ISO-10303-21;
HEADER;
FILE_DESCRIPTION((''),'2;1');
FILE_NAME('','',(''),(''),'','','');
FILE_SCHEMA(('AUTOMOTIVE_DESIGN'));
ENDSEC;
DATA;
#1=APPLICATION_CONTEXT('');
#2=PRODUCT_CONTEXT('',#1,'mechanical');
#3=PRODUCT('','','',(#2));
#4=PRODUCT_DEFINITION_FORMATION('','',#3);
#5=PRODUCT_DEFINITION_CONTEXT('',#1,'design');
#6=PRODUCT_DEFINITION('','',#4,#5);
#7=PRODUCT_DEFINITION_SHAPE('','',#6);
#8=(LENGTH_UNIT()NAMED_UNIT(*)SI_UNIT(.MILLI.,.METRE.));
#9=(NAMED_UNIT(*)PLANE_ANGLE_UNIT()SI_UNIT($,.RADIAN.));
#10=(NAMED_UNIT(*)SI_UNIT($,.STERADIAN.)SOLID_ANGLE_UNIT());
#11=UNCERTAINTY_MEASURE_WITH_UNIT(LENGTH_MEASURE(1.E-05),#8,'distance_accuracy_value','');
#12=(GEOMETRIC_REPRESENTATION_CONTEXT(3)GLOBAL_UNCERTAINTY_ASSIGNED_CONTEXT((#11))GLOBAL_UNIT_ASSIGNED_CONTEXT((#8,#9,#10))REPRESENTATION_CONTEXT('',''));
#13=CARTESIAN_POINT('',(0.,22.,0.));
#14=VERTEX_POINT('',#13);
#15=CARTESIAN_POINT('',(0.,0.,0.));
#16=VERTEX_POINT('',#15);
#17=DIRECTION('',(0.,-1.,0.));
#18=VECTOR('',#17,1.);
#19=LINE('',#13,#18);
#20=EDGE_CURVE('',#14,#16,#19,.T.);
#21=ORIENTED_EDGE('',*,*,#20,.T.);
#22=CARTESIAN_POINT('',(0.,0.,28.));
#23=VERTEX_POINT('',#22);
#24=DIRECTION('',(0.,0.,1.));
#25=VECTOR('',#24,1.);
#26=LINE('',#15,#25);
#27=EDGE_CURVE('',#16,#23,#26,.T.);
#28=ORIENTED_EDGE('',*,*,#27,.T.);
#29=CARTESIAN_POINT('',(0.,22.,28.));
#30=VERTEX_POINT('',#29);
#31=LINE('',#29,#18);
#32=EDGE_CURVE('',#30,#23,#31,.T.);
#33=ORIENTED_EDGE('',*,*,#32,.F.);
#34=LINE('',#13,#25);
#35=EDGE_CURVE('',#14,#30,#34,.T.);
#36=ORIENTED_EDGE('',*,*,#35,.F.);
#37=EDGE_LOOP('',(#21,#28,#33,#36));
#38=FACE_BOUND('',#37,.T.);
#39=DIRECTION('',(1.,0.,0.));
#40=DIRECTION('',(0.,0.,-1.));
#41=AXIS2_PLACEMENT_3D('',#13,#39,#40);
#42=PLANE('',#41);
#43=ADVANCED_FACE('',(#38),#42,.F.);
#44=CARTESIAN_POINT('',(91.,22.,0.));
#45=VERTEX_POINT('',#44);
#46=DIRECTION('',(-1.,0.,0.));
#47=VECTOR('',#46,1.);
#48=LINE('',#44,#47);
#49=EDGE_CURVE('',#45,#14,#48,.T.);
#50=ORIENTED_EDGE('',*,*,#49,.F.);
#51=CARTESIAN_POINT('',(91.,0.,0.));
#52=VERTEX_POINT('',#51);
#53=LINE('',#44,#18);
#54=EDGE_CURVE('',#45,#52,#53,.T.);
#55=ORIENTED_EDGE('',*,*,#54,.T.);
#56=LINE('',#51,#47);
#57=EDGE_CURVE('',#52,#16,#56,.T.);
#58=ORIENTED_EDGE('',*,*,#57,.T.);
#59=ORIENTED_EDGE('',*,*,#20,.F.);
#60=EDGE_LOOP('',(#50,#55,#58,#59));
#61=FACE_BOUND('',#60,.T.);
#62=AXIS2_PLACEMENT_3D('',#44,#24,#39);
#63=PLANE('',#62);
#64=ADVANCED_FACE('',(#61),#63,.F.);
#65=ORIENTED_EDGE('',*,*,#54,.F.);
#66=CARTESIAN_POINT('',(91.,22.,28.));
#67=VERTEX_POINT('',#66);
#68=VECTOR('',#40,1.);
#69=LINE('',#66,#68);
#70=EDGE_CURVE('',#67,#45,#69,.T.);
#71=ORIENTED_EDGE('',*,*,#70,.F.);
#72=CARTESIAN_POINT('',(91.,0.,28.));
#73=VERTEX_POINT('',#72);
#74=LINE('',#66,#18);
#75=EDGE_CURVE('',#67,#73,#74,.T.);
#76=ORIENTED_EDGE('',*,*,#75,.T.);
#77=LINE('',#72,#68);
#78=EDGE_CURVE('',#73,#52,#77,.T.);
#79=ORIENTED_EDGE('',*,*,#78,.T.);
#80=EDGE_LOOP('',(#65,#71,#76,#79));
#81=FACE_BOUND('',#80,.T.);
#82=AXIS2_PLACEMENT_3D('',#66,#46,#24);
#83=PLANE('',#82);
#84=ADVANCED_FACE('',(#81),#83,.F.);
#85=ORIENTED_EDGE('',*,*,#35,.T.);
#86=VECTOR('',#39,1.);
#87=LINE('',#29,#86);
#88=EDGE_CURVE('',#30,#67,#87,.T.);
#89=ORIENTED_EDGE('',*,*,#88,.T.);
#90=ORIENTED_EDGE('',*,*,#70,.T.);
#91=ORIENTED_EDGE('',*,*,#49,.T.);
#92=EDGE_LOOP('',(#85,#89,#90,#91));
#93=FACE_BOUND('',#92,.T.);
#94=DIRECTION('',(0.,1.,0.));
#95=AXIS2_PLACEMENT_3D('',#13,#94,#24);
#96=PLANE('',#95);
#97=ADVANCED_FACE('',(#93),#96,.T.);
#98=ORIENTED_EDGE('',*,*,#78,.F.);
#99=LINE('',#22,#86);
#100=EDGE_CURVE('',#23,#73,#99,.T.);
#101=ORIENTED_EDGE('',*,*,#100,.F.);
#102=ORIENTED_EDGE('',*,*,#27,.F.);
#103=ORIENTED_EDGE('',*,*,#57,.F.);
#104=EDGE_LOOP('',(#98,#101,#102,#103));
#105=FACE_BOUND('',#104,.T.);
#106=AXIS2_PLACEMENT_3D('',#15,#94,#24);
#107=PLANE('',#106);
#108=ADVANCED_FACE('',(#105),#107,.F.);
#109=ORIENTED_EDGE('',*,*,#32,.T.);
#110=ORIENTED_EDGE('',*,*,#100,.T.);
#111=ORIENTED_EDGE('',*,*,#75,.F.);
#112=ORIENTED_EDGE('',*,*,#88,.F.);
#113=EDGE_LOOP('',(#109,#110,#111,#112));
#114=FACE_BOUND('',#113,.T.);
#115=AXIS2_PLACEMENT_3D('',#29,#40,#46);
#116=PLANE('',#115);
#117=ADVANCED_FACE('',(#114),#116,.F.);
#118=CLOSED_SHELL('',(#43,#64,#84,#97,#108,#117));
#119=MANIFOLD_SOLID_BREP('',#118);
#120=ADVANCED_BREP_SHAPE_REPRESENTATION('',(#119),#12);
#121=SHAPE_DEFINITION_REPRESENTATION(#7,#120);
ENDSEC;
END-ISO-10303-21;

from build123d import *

# Parameters (mm, degrees)
SKETCH_1_W      = 91
SKETCH_1_H      = 28
EXTRUDE_1_DEPTH = 22


with BuildPart() as part:
    # 草图1 → 凸台-拉伸1 (new body)
    with BuildSketch(Plane(origin=(0, 0, 0), x_dir=(1, 0, 0), z_dir=(0, 1, 0))):
        with Locations((45.5, -14)):
            Rectangle(SKETCH_1_W, SKETCH_1_H)
    extrude(amount=EXTRUDE_1_DEPTH)


solid = part.part
